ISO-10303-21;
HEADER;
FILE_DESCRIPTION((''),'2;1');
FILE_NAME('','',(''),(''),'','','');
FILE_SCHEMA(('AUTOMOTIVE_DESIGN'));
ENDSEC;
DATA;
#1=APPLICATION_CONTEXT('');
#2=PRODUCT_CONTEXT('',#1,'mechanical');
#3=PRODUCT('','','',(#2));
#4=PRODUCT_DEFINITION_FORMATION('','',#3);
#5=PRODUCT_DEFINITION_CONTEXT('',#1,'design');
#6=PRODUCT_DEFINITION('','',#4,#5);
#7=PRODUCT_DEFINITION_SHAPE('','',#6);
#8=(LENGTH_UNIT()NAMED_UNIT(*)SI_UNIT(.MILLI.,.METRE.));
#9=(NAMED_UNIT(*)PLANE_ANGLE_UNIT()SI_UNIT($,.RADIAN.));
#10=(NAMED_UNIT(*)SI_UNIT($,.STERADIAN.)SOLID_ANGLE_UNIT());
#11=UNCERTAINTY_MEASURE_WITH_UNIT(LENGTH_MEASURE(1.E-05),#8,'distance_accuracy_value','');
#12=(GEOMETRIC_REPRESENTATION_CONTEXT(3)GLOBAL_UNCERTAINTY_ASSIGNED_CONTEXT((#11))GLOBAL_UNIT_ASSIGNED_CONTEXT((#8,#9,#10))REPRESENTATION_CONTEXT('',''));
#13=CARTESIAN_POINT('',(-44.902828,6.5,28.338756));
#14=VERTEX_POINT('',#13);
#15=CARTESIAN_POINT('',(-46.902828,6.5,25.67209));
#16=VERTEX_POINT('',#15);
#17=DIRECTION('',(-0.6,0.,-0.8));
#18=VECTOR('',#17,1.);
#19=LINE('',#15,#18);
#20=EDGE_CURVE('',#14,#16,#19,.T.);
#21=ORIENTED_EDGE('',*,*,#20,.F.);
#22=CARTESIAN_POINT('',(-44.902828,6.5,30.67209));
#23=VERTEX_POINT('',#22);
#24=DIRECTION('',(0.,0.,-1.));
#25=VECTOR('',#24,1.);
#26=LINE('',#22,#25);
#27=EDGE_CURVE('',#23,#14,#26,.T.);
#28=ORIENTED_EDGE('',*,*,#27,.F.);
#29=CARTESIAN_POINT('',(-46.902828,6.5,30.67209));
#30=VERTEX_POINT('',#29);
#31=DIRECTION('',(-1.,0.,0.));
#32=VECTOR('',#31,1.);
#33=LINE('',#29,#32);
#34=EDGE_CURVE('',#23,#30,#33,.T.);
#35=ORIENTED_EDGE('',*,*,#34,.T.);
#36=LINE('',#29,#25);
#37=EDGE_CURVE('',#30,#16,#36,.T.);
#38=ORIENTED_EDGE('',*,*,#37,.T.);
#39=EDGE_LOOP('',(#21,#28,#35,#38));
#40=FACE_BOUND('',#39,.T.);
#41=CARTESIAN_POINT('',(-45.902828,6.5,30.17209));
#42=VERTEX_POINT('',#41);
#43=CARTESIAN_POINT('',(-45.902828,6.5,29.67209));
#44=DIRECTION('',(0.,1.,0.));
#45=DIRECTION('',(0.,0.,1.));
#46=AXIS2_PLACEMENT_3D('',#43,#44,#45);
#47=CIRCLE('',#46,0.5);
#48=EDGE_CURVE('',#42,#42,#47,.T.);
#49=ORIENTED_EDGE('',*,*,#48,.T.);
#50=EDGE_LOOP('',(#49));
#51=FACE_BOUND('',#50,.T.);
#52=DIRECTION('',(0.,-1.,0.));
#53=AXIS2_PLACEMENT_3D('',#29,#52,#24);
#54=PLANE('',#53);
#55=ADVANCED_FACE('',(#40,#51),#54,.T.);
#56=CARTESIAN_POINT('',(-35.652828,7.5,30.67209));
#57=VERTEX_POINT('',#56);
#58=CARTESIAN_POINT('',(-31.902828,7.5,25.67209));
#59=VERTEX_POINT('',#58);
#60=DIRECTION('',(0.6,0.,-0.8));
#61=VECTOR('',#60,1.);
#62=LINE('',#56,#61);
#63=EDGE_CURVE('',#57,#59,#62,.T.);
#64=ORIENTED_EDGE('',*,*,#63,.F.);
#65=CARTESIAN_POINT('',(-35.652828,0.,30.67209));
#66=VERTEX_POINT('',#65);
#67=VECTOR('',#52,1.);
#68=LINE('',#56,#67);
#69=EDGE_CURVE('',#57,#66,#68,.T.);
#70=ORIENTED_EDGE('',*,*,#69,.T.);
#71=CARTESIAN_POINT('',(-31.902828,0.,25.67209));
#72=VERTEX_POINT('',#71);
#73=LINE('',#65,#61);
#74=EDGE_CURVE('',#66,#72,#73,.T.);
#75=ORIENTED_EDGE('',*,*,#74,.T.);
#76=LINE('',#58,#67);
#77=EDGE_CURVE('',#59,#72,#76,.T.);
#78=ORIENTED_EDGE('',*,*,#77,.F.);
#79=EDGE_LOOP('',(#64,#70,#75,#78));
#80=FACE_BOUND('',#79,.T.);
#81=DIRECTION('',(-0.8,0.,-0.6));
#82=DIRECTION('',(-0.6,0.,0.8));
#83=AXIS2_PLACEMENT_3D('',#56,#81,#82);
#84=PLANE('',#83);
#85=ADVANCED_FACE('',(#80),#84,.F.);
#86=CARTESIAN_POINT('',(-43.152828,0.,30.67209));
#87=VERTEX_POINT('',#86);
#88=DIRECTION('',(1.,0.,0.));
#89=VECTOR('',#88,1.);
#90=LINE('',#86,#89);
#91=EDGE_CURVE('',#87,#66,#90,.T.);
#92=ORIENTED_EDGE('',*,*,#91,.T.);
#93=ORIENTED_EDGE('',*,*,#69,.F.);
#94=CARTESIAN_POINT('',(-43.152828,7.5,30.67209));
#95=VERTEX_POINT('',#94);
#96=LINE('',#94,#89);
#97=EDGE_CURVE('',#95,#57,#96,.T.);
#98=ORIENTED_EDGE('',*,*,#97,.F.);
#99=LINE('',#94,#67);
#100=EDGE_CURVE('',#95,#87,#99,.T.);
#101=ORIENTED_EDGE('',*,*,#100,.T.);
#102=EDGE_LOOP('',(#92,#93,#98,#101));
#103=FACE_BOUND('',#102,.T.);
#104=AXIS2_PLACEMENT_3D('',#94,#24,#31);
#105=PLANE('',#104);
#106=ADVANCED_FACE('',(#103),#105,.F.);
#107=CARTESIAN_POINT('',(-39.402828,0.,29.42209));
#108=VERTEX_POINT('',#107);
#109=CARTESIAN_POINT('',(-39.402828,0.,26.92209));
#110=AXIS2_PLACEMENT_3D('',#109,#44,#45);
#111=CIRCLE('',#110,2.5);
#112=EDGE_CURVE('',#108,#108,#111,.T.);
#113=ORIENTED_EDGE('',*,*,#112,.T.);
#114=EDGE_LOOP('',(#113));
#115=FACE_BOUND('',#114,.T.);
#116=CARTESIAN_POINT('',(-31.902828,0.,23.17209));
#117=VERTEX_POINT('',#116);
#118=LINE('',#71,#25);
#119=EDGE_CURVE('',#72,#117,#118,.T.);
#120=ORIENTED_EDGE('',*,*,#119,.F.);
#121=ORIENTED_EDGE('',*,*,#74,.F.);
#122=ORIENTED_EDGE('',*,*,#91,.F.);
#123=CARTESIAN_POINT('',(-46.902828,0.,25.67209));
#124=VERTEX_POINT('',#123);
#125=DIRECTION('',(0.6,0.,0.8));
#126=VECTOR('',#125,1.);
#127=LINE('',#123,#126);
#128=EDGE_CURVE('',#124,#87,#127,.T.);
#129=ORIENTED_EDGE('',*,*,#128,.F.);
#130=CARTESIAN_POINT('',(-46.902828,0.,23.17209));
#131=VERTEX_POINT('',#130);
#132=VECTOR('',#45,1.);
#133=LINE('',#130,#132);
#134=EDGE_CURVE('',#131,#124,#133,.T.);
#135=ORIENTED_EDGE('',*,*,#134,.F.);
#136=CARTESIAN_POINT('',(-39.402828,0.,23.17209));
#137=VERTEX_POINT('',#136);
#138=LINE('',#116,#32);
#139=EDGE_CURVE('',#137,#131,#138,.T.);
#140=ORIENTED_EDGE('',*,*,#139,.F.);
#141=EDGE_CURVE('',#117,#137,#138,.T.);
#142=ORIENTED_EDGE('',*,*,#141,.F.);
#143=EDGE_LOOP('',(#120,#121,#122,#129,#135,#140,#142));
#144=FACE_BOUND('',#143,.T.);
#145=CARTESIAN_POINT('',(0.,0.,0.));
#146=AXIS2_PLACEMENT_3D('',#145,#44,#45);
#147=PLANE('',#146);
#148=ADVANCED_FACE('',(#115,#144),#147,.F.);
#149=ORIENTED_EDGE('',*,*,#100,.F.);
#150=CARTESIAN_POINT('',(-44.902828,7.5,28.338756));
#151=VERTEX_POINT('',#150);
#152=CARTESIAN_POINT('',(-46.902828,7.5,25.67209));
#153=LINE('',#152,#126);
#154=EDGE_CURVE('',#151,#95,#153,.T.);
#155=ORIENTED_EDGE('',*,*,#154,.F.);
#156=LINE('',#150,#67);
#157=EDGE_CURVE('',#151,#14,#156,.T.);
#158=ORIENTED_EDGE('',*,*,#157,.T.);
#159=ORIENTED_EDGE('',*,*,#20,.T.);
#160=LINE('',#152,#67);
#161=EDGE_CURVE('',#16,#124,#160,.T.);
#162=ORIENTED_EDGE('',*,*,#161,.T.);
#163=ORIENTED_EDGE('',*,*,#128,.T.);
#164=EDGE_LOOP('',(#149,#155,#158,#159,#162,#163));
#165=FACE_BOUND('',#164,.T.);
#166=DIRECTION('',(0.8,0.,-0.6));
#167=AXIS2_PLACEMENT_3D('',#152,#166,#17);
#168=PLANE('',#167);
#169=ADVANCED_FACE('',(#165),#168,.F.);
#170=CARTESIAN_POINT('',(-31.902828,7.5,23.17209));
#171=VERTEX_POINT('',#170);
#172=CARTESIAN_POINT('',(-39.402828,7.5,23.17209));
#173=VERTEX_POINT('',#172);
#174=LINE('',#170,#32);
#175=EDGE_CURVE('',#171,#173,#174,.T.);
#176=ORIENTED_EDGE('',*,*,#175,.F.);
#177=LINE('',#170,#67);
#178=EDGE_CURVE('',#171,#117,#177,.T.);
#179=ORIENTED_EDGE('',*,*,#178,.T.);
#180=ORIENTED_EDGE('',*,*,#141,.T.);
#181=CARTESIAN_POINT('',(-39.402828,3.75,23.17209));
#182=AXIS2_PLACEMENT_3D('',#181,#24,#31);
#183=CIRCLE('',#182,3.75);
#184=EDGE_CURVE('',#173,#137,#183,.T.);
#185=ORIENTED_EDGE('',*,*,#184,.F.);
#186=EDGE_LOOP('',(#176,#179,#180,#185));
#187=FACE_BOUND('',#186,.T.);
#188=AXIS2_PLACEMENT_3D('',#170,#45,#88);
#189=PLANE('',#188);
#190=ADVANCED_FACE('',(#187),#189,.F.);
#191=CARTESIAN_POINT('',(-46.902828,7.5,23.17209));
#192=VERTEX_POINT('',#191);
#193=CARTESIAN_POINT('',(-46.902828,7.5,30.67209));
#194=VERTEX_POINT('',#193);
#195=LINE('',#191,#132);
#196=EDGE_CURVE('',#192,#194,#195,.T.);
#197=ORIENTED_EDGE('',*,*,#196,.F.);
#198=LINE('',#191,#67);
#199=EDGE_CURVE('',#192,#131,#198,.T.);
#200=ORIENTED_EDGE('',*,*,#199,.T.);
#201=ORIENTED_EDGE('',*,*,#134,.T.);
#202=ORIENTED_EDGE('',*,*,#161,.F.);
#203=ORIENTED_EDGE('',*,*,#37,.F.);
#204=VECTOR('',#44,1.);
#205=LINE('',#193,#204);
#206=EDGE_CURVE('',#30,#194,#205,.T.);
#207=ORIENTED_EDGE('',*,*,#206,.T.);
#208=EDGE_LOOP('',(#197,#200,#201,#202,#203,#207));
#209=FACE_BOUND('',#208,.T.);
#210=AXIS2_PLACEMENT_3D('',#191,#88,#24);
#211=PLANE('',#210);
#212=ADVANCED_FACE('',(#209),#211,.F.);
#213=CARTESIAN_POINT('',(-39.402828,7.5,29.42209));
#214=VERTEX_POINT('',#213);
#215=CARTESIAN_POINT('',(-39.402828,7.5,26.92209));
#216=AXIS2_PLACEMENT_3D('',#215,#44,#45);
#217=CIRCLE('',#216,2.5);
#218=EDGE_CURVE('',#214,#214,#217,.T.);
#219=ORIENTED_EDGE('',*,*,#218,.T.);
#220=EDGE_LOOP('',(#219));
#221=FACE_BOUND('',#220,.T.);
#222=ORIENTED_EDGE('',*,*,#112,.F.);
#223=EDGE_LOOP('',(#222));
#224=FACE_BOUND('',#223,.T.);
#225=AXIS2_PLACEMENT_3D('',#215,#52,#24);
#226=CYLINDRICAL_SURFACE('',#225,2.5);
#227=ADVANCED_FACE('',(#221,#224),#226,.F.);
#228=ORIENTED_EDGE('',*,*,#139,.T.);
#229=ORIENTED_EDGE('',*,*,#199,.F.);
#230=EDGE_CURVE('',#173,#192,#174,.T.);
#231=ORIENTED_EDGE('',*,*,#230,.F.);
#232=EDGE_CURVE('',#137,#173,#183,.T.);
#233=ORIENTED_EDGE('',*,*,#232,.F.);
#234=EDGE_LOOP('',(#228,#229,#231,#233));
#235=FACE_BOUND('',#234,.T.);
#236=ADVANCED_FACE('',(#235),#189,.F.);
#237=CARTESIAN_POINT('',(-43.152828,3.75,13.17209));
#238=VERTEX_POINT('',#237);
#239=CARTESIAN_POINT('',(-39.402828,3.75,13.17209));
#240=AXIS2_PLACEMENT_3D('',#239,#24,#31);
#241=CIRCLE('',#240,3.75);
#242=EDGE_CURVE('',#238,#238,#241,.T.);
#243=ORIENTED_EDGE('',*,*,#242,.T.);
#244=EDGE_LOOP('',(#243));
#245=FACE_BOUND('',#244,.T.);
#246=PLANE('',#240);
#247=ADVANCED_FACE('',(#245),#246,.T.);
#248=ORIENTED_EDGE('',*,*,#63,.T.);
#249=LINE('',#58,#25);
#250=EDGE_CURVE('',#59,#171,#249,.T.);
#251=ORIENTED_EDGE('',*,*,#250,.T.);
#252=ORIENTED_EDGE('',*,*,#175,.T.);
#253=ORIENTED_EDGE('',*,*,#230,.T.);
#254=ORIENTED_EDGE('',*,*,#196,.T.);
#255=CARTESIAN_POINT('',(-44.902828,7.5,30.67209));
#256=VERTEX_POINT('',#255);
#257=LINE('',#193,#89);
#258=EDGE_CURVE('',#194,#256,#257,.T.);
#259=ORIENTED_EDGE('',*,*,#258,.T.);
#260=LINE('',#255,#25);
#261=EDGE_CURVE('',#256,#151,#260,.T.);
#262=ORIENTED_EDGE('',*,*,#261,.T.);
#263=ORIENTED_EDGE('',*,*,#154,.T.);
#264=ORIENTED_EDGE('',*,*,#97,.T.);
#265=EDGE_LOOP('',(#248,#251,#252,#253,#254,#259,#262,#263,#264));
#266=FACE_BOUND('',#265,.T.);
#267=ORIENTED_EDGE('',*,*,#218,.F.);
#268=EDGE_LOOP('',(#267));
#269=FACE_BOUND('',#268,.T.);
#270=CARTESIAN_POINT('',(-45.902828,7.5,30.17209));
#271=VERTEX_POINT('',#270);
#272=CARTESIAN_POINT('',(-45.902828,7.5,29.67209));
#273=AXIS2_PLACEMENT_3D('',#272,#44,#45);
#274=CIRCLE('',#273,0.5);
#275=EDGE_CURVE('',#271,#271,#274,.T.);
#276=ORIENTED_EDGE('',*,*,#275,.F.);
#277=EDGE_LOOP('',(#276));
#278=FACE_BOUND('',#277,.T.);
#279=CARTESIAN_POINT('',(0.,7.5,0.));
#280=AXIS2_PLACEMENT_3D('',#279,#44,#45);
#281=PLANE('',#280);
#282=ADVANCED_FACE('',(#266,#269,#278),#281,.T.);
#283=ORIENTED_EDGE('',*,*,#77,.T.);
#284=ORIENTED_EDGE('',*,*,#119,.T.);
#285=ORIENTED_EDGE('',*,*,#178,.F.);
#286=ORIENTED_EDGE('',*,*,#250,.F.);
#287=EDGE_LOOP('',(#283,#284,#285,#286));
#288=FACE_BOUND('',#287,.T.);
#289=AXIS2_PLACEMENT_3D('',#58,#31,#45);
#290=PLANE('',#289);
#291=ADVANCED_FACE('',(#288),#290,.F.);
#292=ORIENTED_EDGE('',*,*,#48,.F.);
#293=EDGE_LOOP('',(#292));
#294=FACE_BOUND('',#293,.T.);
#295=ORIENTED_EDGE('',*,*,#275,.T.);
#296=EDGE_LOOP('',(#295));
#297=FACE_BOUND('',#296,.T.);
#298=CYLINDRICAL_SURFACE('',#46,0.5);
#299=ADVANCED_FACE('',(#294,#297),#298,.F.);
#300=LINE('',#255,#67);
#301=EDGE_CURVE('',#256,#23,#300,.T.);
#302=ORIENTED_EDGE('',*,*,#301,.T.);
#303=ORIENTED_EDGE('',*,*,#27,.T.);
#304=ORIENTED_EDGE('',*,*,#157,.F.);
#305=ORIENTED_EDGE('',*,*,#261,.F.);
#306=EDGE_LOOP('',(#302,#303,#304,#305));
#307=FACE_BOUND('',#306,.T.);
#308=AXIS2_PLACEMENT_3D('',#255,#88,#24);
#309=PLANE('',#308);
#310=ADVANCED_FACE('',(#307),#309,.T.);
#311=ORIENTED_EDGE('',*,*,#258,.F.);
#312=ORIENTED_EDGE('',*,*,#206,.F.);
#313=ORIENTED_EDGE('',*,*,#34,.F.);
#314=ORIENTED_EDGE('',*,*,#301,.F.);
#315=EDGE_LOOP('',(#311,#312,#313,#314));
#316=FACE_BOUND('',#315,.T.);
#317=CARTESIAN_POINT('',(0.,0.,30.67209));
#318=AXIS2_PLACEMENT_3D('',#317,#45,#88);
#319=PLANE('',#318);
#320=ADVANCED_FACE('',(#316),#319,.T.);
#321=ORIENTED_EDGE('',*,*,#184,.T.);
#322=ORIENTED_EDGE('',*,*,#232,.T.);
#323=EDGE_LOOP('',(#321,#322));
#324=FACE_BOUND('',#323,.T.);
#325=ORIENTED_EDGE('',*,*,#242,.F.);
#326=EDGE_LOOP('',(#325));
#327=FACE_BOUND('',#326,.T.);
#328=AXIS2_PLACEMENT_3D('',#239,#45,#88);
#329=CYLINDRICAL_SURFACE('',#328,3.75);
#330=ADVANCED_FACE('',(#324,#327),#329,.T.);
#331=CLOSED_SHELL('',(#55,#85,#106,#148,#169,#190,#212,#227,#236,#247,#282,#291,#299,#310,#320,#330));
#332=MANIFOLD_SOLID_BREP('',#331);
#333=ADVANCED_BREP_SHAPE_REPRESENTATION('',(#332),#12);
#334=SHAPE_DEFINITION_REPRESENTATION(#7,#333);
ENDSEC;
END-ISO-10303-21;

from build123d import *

# Parameters (mm, degrees)
SKETCH1_R           = 2.5
BOSS_EXTRUDE1_DEPTH = 7.5
SKETCH2_R           = 3.75
BOSS_EXTRUDE2_DEPTH = 10
SKETCH3_W           = 2
SKETCH3_H           = 1
BOSS_EXTRUDE3_DEPTH = 7.5
SKETCH4_R           = 0.5
CUT_EXTRUDE1_DEPTH  = 1


with BuildPart() as part:
    # Sketch1 → Boss-Extrude1 (new body)
    with BuildSketch(Plane(origin=(0, 0, 0), x_dir=(1, 0, 0), z_dir=(0, 1, 0))):
        Polygon((-43.152827627, -30.672089533), (-35.652827627, -30.672089533), (-31.902827627, -25.672089533), (-31.902827627, -23.172089533), (-46.902827627, -23.172089533), (-46.902827627, -25.672089533), align=None)
        with Locations(Location((-39.402827627, -26.922089533, 0), (0, 0, 270))):
            Circle(SKETCH1_R, mode=Mode.SUBTRACT)
    extrude(amount=BOSS_EXTRUDE1_DEPTH)

    # Sketch2 → Boss-Extrude2 (add)
    with BuildSketch(Plane(origin=(0, 0, 23.172089533), x_dir=(-1, 0, 0), z_dir=(0, 0, -1))):
        with Locations(Location((39.402827627, 3.75, 0), (0, 0, 270))):
            Circle(SKETCH2_R)
    extrude(amount=BOSS_EXTRUDE2_DEPTH)

    # Sketch3 → Boss-Extrude3 (add)
    with BuildSketch(Plane(origin=(0, 0, 23.172089533), x_dir=(-1, 0, 0), z_dir=(0, 0, -1))):
        with Locations((45.902827627, 7)):
            Rectangle(SKETCH3_W, SKETCH3_H)
    extrude(amount=-BOSS_EXTRUDE3_DEPTH)

    # Sketch4 → Cut-Extrude1 (cut)
    with BuildSketch(Plane(origin=(0, 7.5, 0), x_dir=(1, 0, 0), z_dir=(0, 1, 0))):
        with Locations(Location((-45.902827627, -29.672089533, 0), (0, 0, 270))):
            Circle(SKETCH4_R)
    extrude(amount=-CUT_EXTRUDE1_DEPTH, mode=Mode.SUBTRACT)


solid = part.part
